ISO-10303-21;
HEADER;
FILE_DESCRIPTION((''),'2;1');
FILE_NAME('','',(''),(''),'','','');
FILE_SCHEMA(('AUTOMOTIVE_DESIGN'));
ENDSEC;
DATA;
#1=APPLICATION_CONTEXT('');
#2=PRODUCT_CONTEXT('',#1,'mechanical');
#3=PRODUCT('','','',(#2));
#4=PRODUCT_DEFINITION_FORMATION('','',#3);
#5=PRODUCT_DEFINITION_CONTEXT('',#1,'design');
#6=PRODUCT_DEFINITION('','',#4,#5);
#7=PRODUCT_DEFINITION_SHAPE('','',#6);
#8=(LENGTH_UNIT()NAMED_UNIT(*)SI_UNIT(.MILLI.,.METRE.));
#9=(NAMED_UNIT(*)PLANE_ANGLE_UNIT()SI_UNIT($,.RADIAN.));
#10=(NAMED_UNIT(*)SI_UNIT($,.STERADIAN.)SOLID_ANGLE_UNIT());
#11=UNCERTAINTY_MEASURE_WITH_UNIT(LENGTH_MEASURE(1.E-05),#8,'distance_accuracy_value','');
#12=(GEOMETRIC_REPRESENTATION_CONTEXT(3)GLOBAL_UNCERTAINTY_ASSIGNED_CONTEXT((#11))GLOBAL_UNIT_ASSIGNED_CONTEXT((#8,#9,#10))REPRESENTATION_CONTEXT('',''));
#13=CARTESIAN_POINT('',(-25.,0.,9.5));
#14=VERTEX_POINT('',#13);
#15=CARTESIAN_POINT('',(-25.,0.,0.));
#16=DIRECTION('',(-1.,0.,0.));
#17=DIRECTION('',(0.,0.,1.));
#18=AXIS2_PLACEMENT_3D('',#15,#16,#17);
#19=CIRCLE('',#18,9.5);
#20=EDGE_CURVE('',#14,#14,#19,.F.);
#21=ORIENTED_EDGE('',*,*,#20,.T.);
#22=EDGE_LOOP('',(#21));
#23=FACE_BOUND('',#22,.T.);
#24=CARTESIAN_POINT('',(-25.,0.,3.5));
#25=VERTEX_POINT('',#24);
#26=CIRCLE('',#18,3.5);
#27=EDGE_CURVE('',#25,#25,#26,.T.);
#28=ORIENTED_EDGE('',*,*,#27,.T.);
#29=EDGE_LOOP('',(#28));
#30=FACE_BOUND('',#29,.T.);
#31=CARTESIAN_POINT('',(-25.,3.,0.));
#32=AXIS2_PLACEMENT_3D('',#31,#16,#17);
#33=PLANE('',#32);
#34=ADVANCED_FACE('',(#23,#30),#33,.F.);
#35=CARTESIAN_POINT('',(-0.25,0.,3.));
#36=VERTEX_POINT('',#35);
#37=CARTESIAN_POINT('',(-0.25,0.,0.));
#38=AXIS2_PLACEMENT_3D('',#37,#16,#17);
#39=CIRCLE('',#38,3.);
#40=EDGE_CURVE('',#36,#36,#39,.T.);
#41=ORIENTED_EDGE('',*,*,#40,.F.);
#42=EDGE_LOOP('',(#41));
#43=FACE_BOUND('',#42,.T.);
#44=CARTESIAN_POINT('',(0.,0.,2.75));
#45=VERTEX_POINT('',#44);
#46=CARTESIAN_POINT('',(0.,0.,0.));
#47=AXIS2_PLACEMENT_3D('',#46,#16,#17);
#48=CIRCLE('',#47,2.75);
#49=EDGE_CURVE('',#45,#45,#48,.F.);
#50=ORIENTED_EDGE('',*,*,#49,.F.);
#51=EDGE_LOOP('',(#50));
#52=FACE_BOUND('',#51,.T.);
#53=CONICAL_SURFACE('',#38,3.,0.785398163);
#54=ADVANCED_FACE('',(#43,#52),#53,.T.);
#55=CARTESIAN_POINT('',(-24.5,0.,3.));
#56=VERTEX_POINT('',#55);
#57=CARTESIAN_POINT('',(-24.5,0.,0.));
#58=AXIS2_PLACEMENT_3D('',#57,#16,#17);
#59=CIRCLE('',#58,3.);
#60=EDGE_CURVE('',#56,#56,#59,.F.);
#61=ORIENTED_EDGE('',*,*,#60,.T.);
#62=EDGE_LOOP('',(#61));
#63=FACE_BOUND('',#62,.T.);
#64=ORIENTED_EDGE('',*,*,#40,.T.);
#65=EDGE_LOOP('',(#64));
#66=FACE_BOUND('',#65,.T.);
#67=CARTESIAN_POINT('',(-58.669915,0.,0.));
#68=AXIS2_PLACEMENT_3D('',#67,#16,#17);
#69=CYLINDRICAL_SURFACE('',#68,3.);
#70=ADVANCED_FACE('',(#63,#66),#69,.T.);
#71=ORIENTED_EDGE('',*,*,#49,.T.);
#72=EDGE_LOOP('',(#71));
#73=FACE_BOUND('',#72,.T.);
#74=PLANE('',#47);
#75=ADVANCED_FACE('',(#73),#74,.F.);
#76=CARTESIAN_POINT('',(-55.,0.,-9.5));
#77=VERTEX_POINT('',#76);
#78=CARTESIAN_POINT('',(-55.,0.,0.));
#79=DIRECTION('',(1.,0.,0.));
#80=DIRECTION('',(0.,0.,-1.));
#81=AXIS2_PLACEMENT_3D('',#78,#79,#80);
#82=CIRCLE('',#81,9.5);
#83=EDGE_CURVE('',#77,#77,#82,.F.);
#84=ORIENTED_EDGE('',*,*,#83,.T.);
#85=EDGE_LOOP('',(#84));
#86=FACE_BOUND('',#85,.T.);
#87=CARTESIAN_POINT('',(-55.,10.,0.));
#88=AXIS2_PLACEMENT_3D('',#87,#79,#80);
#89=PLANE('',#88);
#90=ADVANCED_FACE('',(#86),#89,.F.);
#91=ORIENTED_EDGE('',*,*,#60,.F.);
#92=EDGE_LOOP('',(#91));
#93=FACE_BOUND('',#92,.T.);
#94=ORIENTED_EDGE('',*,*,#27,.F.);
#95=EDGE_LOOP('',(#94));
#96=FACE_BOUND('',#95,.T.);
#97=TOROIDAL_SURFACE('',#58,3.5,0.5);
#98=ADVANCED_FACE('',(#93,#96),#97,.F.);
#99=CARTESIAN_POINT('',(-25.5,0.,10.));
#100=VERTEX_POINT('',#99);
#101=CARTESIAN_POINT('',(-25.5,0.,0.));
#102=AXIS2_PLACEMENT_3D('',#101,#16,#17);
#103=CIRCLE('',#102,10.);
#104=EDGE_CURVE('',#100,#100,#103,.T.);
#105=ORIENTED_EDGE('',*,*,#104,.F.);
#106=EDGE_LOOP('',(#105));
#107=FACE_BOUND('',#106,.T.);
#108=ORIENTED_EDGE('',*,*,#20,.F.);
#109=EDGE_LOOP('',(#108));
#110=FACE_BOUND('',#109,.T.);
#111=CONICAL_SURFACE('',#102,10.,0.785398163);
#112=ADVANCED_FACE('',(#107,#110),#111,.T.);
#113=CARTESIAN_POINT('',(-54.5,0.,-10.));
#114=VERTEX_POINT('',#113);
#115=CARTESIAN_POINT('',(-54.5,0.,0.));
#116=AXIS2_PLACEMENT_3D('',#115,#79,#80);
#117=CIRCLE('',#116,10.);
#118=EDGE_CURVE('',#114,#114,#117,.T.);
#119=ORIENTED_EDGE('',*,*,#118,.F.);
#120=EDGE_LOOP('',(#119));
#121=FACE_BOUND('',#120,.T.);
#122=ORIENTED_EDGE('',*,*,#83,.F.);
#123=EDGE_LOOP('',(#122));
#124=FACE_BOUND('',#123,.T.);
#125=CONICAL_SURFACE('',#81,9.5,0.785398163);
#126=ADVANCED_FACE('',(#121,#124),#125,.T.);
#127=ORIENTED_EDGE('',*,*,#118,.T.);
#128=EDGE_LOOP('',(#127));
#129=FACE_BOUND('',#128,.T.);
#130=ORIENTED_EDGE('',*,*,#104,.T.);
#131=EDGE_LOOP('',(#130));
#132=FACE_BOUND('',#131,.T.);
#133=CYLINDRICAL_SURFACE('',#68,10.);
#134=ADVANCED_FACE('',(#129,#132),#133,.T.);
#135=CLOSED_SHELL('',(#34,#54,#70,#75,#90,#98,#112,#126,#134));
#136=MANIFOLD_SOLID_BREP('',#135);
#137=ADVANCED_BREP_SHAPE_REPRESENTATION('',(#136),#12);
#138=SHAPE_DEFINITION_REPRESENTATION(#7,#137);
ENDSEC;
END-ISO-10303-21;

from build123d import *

# Parameters (mm, degrees)
CHANFREIN1_SIZE = 0.25
CHANFREIN3_SIZE = 0.5
CONG_1_R        = 0.5


with BuildPart() as part:
    # Esquisse1 → Base-Révolution (revolve)
    with BuildSketch(Plane.XY, mode=Mode.PRIVATE) as base_r_volution_sk:
        Polygon((0, 0), (0, 3), (-25, 3), (-25, 10), (-55, 10), (-55, 0), align=None)
    revolve(base_r_volution_sk.sketch.rotate(Axis((-58.669915368, 0, 0), (1, 0, 0)), 90), axis=Axis((-58.669915368, 0, 0), (1, 0, 0)))

    # Chanfrein1
    chanfrein1_edges = [part.edges().sort_by_distance(p)[0] for p in [
        (0, 0, -3),
    ]]
    chamfer(chanfrein1_edges, length=CHANFREIN1_SIZE)

    # Chanfrein3
    chanfrein3_edges = [part.edges().sort_by_distance(p)[0] for p in [
        (-55, 0, -10),
        (-25, 0, -10),
    ]]
    chamfer(chanfrein3_edges, length=CHANFREIN3_SIZE)

    # Congé1
    cong_1_edges = [part.edges().sort_by_distance(p)[0] for p in [
        (-25, 0, -3),
    ]]
    fillet(cong_1_edges, radius=CONG_1_R)


solid = part.part
